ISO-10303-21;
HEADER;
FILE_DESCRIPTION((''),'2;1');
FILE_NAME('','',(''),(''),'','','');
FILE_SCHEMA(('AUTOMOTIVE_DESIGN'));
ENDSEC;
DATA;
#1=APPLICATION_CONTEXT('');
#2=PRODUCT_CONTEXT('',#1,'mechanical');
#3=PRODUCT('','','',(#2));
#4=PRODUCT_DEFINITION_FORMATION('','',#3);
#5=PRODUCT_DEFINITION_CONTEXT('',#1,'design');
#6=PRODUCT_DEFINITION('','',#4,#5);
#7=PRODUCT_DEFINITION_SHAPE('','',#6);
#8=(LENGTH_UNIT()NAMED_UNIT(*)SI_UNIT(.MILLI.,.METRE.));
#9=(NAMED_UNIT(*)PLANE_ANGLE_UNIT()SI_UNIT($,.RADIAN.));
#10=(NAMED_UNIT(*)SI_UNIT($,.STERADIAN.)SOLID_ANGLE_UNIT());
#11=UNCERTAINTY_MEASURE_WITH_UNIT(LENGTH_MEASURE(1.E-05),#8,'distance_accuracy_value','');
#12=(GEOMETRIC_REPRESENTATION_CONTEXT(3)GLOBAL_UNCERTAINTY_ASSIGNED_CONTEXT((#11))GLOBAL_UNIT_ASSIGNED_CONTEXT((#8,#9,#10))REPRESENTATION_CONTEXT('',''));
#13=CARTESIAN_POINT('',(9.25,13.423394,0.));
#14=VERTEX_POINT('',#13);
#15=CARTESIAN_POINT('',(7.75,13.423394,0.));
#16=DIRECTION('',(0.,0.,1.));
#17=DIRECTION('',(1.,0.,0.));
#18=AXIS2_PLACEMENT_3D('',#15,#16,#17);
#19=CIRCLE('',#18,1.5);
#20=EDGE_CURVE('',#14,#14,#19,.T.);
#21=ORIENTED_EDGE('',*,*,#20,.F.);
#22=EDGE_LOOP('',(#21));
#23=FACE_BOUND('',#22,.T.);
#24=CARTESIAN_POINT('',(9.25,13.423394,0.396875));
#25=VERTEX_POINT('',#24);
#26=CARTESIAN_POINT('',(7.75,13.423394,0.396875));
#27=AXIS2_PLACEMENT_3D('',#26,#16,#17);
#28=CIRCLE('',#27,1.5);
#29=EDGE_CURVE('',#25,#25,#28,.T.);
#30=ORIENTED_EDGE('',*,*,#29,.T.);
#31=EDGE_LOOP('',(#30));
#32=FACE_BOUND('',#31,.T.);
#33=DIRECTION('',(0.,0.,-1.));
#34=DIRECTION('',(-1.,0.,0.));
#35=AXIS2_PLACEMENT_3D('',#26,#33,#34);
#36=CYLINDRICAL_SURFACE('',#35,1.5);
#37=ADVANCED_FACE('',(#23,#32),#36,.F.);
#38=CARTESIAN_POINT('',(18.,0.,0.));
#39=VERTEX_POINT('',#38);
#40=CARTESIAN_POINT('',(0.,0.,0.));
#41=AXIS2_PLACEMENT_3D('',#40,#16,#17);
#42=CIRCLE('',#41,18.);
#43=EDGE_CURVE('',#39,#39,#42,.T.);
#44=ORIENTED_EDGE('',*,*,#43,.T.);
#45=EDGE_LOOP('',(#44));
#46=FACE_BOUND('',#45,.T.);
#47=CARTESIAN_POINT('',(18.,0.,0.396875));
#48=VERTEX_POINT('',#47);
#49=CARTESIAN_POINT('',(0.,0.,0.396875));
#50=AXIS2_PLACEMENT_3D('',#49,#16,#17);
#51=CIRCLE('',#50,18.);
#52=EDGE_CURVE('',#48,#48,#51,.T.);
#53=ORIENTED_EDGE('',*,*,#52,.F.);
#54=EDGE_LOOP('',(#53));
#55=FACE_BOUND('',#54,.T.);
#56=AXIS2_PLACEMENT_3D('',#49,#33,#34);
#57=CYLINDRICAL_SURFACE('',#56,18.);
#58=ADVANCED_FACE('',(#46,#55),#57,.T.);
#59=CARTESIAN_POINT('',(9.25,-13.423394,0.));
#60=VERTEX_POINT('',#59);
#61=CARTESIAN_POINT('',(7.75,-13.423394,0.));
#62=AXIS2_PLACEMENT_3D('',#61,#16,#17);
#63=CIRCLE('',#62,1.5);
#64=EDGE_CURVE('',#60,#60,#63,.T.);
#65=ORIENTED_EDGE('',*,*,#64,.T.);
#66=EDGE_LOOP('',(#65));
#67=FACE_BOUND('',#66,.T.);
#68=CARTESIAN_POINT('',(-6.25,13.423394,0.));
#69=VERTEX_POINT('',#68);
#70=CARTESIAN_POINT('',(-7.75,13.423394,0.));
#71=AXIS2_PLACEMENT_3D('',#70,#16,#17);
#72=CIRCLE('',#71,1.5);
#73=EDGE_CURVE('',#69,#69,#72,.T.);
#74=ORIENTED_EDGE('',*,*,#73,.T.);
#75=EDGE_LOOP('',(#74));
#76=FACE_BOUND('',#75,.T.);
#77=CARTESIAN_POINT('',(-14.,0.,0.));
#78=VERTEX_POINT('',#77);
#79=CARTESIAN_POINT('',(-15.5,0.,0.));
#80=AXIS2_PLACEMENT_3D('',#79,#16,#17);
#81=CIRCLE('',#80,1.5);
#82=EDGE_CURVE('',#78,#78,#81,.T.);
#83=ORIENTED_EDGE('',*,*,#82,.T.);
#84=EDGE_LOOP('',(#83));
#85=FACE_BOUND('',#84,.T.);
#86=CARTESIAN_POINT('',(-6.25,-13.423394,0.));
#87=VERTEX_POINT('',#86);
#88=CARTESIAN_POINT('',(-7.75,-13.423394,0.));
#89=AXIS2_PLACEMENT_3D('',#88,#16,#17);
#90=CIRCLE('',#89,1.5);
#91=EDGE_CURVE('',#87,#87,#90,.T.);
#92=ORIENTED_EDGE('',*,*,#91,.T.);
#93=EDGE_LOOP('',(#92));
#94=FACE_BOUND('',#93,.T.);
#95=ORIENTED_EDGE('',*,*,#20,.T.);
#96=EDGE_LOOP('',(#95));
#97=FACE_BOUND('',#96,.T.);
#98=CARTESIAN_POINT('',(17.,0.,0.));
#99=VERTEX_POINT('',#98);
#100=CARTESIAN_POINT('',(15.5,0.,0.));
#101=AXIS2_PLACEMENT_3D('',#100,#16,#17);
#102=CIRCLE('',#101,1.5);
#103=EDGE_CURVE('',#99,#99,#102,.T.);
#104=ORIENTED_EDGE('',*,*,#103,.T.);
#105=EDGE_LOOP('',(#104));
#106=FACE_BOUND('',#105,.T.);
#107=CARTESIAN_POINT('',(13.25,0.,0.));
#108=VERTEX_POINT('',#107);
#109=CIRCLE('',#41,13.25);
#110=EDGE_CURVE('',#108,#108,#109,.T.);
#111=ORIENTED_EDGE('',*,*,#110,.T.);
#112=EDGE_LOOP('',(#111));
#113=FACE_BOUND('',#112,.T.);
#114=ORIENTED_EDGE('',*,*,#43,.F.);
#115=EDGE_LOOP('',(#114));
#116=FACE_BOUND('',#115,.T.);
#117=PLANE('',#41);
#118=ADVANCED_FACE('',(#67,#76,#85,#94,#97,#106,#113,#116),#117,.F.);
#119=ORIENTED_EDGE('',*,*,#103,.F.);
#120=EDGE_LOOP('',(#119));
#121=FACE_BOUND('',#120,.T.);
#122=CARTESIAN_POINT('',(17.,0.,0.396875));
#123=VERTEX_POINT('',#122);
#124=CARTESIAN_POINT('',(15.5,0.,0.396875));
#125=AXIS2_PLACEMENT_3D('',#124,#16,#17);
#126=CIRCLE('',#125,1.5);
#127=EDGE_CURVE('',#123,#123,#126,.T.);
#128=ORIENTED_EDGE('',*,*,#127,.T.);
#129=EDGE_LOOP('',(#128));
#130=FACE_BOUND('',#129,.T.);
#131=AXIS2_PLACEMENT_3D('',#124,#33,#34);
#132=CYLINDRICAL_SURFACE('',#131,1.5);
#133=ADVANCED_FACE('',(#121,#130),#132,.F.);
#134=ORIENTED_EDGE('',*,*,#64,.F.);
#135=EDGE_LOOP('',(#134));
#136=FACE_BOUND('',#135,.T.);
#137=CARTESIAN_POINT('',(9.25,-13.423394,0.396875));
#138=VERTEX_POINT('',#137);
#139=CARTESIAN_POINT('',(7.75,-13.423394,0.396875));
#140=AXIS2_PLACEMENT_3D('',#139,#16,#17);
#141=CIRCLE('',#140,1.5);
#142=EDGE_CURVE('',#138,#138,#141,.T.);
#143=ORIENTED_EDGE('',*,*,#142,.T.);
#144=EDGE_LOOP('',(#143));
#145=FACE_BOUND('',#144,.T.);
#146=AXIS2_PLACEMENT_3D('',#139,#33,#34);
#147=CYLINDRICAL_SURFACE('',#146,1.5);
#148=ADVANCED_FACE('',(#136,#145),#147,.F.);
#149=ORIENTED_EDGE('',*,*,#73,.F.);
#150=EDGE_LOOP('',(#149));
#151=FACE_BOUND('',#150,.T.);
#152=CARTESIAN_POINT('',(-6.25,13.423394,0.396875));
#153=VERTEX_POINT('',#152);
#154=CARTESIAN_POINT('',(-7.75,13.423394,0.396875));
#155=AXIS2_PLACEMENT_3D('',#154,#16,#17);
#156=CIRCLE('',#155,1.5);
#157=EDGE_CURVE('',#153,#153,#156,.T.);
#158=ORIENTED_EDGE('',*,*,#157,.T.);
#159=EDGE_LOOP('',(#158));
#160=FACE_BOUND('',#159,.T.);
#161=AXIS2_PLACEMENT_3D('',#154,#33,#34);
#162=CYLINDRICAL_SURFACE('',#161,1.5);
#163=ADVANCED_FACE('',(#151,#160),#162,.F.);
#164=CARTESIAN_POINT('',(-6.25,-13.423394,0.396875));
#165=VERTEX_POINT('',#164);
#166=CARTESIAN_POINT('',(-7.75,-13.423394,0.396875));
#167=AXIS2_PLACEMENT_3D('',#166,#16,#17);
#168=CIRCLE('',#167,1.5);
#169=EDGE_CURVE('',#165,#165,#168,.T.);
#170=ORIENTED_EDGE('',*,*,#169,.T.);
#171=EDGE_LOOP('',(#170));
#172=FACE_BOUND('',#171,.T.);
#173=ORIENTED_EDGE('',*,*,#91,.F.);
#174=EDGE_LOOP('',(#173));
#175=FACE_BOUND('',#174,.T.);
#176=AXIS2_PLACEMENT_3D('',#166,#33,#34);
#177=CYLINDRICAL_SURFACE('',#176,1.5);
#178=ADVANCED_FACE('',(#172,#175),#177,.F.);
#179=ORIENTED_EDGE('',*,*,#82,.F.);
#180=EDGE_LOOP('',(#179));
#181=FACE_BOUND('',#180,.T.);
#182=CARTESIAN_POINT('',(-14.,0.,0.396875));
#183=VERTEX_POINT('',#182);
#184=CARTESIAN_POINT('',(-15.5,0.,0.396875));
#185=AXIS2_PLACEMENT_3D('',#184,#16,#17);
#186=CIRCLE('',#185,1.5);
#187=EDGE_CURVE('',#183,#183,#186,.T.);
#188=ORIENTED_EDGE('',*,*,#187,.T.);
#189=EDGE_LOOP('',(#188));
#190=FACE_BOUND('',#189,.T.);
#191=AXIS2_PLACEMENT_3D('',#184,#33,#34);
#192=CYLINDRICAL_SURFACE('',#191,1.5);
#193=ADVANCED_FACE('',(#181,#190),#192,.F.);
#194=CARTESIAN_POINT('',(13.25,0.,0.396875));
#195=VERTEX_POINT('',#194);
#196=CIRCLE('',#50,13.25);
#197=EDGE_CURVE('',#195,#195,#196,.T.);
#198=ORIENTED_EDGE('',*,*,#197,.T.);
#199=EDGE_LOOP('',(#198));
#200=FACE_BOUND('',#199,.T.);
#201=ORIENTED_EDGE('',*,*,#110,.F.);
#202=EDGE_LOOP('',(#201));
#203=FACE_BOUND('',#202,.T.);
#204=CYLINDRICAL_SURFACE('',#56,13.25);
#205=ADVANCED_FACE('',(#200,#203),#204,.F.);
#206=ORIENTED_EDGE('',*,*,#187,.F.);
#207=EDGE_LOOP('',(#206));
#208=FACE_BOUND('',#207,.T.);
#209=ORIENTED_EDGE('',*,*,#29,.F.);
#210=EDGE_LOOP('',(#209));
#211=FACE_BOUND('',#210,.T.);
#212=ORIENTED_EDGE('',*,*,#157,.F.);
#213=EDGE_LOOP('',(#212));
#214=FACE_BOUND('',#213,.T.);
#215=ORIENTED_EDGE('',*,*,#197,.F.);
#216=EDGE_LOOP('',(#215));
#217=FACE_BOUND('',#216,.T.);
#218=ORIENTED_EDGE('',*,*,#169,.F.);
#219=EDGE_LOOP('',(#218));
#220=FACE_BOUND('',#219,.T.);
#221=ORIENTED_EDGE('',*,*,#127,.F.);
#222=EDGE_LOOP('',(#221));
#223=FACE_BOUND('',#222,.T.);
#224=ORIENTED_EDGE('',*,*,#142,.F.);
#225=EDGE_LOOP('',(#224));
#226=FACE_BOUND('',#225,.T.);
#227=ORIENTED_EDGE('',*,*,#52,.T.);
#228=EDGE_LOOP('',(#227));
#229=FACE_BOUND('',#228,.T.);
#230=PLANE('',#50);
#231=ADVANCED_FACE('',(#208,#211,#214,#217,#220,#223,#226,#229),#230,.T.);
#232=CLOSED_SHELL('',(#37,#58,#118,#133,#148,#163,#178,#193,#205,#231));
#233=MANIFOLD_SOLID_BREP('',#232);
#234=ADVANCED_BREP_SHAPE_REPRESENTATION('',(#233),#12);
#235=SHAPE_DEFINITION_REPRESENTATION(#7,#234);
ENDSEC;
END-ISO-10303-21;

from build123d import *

# Parameters (mm, degrees)
SKETCH1_R           = 18
SKETCH1_R_2         = 1.5
SKETCH1_R_3         = 13.25
BOSS_EXTRUDE1_DEPTH = 0.396875


with BuildPart() as part:
    # Sketch1 → Boss-Extrude1 (new body)
    with BuildSketch(Plane.XY):
        Circle(SKETCH1_R)
        with Locations((-15.5, 0)):
            Circle(SKETCH1_R_2, mode=Mode.SUBTRACT)
        with Locations((-7.75, 13.423393759)):
            Circle(SKETCH1_R_2, mode=Mode.SUBTRACT)
        with Locations((7.75, 13.423393759)):
            Circle(SKETCH1_R_2, mode=Mode.SUBTRACT)
        with Locations((15.5, 0)):
            Circle(SKETCH1_R_2, mode=Mode.SUBTRACT)
        with Locations((7.75, -13.423393759)):
            Circle(SKETCH1_R_2, mode=Mode.SUBTRACT)
        with Locations((-7.75, -13.423393759)):
            Circle(SKETCH1_R_2, mode=Mode.SUBTRACT)
        Circle(SKETCH1_R_3, mode=Mode.SUBTRACT)
    extrude(amount=BOSS_EXTRUDE1_DEPTH)


solid = part.part
